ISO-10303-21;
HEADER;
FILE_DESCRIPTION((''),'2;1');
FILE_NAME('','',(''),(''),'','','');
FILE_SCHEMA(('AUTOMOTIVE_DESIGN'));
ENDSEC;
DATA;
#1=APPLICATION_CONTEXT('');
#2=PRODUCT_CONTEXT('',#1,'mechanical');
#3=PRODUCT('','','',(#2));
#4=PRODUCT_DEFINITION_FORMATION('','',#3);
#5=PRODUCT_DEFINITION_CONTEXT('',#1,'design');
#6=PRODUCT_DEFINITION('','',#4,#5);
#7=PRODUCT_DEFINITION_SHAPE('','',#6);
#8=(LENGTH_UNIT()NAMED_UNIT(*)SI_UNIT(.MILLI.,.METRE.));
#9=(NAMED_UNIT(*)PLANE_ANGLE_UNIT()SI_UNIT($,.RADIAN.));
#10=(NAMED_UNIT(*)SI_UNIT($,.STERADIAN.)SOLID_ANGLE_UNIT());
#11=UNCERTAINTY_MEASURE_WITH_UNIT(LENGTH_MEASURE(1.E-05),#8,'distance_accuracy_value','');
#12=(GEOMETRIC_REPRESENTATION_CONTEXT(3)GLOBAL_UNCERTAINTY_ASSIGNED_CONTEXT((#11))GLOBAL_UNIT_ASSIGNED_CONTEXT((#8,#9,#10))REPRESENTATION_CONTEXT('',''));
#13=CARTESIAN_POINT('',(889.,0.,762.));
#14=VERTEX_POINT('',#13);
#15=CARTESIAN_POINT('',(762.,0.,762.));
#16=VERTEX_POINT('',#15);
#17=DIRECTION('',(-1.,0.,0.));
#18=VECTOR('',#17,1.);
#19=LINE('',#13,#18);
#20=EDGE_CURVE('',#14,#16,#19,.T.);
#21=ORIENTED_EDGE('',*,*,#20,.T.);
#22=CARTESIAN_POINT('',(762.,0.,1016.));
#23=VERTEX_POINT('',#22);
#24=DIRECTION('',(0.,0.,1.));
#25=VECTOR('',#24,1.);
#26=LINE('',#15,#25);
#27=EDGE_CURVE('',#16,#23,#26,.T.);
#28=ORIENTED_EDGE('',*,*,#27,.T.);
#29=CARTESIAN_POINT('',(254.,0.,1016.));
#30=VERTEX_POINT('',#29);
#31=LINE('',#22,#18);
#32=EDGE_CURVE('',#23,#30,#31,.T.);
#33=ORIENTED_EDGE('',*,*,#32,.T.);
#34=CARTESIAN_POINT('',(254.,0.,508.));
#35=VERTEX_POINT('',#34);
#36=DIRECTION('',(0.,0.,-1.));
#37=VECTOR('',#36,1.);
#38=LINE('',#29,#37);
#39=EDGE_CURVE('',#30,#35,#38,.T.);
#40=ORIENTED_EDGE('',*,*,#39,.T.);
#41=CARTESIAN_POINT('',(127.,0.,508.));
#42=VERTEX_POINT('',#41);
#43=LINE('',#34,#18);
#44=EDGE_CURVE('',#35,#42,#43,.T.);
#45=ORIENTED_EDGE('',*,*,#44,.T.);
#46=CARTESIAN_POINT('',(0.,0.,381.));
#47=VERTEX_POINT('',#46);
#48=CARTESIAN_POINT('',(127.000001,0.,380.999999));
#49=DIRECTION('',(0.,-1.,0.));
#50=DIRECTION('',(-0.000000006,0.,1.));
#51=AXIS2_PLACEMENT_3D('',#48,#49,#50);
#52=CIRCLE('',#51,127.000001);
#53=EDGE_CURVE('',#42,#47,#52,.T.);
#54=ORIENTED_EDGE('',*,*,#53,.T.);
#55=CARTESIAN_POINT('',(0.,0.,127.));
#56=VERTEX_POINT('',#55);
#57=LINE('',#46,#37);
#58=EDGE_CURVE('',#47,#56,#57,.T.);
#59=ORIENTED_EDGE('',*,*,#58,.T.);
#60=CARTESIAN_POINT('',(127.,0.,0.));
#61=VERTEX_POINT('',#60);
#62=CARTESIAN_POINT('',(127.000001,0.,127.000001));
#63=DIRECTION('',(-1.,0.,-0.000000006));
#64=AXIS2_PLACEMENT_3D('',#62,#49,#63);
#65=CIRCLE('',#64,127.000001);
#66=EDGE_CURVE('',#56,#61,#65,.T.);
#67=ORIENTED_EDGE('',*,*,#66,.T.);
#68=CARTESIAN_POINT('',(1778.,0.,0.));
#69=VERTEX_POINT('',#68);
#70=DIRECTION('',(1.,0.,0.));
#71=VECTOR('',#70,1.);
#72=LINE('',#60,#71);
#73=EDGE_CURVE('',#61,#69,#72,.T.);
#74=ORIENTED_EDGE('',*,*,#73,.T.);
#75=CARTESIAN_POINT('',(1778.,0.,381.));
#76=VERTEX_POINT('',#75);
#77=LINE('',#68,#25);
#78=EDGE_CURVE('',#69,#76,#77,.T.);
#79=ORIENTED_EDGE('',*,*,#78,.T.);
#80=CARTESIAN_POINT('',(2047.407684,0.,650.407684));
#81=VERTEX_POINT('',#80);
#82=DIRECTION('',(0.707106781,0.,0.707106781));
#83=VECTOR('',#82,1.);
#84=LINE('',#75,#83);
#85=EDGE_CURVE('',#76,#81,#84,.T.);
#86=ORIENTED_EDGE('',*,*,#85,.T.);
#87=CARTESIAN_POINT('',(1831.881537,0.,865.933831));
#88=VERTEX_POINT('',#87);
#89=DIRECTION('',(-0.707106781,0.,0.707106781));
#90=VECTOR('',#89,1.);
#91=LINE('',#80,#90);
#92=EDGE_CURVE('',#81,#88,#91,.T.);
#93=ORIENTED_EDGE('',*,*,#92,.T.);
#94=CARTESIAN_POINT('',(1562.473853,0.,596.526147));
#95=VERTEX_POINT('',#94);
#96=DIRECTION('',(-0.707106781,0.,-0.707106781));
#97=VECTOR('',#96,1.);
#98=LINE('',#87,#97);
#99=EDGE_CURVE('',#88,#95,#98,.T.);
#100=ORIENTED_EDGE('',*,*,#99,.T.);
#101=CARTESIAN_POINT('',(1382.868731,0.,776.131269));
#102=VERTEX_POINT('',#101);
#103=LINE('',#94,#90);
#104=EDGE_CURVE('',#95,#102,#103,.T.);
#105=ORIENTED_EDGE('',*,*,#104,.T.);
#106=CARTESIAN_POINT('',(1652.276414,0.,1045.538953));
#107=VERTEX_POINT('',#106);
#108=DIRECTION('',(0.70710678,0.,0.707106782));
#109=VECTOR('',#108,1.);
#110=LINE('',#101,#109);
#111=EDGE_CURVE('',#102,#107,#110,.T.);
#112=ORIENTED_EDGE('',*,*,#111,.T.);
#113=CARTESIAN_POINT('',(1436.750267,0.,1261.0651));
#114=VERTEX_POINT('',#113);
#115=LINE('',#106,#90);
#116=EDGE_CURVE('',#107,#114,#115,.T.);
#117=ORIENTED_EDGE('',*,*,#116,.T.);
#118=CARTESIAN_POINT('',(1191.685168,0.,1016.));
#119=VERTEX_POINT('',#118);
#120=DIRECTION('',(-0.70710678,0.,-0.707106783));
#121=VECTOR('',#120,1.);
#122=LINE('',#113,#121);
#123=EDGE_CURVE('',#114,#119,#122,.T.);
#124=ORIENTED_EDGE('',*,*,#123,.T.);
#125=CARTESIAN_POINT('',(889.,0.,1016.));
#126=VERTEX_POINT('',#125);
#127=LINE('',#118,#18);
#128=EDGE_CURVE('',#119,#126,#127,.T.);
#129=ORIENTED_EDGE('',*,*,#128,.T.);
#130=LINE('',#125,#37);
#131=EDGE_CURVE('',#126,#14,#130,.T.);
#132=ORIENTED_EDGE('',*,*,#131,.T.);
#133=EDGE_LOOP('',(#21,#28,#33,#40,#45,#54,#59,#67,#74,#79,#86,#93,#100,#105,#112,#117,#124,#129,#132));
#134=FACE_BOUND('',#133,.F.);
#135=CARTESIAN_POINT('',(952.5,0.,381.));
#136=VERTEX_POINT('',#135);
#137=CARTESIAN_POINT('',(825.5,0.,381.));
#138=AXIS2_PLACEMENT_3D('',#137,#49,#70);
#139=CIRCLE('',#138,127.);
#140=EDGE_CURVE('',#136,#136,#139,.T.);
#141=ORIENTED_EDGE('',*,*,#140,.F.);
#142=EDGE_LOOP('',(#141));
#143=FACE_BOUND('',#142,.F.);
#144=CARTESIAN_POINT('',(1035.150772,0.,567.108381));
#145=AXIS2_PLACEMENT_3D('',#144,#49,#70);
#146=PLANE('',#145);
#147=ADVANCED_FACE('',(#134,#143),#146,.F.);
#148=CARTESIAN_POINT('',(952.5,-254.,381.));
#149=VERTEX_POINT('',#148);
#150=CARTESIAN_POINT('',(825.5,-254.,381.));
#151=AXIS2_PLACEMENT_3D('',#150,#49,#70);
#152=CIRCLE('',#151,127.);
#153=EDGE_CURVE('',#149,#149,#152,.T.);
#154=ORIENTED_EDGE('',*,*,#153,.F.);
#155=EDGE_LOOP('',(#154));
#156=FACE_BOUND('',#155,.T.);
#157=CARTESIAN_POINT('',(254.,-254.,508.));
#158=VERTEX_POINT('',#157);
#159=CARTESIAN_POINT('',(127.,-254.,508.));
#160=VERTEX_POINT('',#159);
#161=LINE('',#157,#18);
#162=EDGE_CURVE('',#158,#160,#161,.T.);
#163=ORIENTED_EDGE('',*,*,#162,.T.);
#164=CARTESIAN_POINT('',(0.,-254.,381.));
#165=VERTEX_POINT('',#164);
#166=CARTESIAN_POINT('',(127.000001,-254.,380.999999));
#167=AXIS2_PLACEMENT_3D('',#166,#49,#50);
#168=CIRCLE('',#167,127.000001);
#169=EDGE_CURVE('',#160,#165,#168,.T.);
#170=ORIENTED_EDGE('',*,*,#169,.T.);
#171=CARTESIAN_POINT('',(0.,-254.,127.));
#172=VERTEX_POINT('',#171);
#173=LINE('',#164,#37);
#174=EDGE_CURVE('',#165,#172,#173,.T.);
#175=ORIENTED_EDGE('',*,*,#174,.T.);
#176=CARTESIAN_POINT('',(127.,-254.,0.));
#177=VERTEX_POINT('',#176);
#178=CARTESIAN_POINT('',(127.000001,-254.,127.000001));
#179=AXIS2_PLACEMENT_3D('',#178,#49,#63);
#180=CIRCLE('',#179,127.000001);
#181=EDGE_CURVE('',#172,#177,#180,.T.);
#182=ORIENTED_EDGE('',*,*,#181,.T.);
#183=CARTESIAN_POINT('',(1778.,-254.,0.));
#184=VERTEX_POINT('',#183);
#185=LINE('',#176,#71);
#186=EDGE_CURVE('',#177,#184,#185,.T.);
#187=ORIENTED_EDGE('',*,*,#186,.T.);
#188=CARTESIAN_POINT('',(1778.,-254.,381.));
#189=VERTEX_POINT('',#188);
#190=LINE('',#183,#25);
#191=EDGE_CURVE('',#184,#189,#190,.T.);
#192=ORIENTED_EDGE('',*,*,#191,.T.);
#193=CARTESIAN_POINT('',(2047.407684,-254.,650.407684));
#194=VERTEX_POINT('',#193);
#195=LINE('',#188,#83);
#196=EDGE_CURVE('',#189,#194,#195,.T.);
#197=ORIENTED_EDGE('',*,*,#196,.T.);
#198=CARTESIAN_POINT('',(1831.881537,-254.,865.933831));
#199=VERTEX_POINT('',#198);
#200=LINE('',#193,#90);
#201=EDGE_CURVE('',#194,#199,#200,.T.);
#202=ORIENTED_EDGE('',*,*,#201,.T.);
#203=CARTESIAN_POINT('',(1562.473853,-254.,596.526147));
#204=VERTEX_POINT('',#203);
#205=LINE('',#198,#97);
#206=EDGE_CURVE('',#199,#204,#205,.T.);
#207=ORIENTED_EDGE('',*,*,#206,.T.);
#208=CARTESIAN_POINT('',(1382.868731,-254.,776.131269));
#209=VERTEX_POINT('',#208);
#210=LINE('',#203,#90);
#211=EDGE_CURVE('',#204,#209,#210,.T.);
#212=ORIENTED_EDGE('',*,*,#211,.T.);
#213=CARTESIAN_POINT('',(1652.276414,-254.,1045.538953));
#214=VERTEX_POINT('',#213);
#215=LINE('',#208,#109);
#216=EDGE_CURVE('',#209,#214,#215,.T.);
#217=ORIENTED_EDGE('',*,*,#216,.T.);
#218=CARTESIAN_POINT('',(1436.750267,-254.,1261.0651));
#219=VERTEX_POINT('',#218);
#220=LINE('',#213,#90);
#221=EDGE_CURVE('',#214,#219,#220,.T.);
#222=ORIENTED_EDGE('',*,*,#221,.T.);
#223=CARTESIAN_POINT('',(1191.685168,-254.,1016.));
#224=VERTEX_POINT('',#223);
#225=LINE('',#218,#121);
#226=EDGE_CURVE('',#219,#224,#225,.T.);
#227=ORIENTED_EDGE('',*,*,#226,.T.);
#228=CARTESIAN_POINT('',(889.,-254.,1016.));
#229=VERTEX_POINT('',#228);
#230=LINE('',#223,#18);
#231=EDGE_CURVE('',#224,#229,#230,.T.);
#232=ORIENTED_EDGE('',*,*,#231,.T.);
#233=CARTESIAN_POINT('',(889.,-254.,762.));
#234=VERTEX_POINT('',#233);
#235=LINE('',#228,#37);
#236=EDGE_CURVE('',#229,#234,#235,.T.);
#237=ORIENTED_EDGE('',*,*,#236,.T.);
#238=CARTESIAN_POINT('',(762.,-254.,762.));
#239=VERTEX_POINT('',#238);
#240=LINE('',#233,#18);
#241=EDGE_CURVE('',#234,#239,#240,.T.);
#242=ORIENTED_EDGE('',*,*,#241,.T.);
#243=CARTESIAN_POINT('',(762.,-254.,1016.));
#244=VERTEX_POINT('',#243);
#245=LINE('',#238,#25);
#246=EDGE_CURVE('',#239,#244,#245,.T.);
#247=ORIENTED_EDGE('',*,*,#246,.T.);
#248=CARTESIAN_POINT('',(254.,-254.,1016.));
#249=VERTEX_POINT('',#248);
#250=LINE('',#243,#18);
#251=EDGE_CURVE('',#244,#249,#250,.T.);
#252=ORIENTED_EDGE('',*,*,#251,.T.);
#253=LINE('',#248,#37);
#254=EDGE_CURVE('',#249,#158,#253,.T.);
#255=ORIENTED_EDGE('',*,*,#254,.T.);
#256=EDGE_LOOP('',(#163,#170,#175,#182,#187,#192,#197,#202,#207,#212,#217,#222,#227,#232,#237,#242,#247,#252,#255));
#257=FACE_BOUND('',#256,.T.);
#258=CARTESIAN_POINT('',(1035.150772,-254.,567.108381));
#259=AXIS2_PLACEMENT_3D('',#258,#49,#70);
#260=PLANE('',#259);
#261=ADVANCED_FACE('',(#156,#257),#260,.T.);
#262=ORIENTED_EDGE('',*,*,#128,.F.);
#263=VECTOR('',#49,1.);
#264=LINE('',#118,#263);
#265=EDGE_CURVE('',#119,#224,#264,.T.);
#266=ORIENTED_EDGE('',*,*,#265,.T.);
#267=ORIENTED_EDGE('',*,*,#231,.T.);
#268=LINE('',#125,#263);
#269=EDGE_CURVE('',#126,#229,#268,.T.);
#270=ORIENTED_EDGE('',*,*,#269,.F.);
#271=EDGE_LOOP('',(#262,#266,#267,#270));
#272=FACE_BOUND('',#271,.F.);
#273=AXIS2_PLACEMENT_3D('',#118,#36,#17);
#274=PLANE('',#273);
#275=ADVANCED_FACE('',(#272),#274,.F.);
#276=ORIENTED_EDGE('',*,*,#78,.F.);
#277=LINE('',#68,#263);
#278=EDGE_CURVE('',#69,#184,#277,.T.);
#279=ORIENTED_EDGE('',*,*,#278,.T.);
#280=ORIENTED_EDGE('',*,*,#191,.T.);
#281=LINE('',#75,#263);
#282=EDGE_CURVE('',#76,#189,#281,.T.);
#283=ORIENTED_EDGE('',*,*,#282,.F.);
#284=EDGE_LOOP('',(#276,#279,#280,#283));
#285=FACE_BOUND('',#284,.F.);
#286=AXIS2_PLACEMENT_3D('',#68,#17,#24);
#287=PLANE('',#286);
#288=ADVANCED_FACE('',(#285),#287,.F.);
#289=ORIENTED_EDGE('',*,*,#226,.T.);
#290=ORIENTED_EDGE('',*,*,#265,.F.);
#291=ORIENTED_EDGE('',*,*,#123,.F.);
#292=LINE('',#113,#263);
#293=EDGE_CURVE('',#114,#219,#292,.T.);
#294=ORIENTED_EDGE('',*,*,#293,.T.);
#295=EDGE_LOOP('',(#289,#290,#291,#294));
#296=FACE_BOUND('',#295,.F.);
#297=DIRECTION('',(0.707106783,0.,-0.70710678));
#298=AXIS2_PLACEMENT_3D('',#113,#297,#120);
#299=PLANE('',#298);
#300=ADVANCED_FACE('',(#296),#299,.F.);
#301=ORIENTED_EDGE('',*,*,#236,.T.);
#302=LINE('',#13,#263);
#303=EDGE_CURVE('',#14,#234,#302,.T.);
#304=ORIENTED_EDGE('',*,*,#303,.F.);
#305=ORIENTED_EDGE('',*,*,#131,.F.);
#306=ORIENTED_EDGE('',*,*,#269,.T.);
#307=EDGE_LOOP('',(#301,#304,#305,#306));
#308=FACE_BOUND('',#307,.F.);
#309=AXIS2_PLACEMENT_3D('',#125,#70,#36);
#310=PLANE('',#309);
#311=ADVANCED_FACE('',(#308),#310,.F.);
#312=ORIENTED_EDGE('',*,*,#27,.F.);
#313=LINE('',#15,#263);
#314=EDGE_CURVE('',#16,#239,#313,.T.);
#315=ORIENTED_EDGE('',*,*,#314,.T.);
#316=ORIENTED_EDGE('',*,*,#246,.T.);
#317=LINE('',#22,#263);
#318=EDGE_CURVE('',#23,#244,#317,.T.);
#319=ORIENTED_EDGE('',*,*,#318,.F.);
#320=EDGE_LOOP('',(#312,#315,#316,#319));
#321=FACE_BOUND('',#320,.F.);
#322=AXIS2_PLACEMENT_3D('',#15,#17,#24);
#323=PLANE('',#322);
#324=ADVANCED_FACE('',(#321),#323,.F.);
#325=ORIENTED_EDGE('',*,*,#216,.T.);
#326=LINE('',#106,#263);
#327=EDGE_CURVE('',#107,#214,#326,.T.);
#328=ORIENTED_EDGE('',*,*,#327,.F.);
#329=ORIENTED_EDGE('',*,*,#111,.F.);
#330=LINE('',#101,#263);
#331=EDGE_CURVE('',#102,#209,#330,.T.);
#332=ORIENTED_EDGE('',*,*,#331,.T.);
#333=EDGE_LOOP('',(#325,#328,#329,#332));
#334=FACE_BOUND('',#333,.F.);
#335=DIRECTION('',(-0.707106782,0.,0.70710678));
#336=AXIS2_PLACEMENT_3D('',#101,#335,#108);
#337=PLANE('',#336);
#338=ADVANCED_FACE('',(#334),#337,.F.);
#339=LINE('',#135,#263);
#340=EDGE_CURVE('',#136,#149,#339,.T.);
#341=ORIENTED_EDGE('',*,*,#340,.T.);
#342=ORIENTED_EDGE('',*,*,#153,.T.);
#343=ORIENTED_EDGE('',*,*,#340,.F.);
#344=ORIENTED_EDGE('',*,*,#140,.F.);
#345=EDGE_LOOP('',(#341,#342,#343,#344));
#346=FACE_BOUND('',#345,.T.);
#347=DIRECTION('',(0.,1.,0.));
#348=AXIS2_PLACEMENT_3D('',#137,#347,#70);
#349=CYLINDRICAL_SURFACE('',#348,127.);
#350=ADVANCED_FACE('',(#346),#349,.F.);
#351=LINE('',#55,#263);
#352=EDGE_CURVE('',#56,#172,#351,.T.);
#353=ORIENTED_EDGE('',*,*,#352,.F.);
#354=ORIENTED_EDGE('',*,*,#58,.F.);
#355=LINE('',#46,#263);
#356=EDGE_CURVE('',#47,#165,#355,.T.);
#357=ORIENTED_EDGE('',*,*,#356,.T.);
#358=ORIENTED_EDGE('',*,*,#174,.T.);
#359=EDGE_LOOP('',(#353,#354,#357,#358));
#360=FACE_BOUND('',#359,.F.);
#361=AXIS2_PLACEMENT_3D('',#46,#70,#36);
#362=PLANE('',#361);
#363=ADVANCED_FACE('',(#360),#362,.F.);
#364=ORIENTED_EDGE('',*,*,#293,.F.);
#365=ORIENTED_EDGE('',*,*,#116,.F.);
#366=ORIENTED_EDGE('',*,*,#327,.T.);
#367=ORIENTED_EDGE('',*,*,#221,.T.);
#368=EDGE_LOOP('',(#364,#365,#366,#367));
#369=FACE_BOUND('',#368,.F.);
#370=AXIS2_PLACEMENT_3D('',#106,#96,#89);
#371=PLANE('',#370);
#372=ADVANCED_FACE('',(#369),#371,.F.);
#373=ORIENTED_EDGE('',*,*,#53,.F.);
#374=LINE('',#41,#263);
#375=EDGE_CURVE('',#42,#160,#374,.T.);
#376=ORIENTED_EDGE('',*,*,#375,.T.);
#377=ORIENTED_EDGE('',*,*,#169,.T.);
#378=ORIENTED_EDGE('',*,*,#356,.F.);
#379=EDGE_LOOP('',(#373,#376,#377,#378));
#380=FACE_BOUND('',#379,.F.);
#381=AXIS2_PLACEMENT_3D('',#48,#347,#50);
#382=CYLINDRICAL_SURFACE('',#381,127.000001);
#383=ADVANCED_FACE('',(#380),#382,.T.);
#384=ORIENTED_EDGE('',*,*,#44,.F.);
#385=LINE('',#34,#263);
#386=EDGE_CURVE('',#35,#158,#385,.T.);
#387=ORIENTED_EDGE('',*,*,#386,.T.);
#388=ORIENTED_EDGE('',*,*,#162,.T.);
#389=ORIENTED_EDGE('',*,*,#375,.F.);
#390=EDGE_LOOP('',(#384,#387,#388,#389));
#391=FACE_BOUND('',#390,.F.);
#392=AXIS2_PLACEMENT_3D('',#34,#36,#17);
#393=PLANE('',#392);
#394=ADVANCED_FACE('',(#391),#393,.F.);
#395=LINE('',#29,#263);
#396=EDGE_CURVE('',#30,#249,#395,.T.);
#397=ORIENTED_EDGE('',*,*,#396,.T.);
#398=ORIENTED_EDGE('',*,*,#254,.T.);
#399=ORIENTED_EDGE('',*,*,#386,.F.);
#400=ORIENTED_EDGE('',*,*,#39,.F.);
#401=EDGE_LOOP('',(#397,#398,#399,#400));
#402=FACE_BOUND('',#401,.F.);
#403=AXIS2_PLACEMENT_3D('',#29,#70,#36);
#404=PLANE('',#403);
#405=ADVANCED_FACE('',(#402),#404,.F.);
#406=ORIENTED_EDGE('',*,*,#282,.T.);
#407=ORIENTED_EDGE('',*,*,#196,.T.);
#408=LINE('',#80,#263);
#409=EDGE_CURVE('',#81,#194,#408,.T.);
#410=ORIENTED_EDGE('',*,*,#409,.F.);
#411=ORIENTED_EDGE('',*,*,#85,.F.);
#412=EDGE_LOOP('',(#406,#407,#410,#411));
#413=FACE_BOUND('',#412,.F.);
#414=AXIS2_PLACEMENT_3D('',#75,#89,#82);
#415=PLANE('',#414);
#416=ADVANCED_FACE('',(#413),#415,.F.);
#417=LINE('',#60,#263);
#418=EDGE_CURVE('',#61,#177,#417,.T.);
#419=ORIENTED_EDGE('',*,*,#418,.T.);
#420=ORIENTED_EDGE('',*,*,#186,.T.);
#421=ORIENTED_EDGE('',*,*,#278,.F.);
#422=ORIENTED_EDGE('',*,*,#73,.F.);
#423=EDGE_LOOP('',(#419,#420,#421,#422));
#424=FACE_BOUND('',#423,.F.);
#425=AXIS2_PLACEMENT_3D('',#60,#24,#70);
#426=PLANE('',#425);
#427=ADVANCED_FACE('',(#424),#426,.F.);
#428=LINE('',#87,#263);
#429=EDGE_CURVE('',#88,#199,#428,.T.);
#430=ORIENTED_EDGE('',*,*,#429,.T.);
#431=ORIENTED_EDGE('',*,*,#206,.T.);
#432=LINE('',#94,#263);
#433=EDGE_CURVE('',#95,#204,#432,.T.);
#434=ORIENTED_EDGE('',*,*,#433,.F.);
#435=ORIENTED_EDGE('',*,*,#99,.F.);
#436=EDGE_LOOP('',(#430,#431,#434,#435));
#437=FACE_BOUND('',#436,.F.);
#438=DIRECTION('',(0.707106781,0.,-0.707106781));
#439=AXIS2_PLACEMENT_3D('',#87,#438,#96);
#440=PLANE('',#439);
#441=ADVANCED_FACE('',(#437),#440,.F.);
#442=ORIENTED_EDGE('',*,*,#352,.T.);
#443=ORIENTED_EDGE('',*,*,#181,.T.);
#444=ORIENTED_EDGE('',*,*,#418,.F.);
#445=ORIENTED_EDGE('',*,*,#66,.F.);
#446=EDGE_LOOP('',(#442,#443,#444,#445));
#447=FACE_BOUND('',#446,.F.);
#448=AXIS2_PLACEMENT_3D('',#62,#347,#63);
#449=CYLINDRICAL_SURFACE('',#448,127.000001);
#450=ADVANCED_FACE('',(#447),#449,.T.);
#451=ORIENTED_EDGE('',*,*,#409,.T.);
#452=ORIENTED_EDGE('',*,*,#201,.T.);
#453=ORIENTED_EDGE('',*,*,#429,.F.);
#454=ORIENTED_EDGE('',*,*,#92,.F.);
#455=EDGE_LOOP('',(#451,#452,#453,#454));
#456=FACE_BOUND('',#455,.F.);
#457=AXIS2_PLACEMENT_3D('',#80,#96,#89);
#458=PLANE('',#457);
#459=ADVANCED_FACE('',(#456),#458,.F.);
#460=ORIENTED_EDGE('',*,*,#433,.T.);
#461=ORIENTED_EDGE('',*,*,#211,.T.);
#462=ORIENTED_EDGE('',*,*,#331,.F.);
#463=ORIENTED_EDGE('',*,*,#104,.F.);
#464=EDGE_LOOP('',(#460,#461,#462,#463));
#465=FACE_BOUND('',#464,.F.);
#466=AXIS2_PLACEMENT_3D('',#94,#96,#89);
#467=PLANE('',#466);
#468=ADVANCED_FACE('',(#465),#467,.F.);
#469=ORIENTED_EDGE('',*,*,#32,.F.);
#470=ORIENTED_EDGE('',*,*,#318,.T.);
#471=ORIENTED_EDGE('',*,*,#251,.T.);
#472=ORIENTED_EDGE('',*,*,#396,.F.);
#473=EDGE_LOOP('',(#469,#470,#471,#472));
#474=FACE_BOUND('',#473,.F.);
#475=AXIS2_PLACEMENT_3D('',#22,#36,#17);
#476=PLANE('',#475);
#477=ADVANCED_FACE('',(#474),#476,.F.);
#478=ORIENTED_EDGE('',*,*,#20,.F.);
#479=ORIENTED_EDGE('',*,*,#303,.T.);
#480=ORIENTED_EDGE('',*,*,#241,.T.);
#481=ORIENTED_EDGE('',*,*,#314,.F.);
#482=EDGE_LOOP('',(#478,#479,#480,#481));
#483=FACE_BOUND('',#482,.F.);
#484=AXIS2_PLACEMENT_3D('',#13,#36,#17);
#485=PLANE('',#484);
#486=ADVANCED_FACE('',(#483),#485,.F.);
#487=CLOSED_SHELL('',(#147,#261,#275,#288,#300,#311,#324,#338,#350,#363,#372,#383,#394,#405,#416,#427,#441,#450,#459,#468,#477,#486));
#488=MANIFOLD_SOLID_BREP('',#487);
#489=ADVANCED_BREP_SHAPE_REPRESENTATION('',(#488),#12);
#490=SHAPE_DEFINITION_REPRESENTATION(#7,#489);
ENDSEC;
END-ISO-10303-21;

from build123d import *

# Parameters (mm, degrees)
F0_R     = 127
F1_DEPTH = 254


with BuildPart() as f1:
    # F0 (on Front) → F1 (new body)
    with BuildSketch(Plane.XZ):
        with BuildLine():
            Line((0, 381), (0, 127))
            ThreePointArc((0, 127), (37.197439, 37.197439), (127, 0))
            Line((127, 0), (1778, 0))
            Line((1778, 0), (1778, 381))
            Line((1778, 381), (2047.407684, 650.407684))
            Line((2047.407684, 650.407684), (1831.881537, 865.933831))
            Line((1831.881537, 865.933831), (1562.473853, 596.526147))
            Line((1562.473853, 596.526147), (1382.868731, 776.131269))
            Line((1382.868731, 776.131269), (1652.276414, 1045.538953))
            Line((1652.276414, 1045.538953), (1436.750267, 1261.0651))
            Line((1436.750267, 1261.0651), (1191.685168, 1016))
            Line((1191.685168, 1016), (889, 1016))
            Line((889, 1016), (889, 762))
            Line((889, 762), (762, 762))
            Line((762, 762), (762, 1016))
            Line((762, 1016), (254, 1016))
            Line((254, 1016), (254, 508))
            Line((254, 508), (127, 508))
            ThreePointArc((127, 508), (37.197439, 470.802561), (0, 381))
        make_face()
        with Locations((825.5, 381)):
            Circle(F0_R, mode=Mode.SUBTRACT)
    extrude(amount=F1_DEPTH)


solid = f1.part
